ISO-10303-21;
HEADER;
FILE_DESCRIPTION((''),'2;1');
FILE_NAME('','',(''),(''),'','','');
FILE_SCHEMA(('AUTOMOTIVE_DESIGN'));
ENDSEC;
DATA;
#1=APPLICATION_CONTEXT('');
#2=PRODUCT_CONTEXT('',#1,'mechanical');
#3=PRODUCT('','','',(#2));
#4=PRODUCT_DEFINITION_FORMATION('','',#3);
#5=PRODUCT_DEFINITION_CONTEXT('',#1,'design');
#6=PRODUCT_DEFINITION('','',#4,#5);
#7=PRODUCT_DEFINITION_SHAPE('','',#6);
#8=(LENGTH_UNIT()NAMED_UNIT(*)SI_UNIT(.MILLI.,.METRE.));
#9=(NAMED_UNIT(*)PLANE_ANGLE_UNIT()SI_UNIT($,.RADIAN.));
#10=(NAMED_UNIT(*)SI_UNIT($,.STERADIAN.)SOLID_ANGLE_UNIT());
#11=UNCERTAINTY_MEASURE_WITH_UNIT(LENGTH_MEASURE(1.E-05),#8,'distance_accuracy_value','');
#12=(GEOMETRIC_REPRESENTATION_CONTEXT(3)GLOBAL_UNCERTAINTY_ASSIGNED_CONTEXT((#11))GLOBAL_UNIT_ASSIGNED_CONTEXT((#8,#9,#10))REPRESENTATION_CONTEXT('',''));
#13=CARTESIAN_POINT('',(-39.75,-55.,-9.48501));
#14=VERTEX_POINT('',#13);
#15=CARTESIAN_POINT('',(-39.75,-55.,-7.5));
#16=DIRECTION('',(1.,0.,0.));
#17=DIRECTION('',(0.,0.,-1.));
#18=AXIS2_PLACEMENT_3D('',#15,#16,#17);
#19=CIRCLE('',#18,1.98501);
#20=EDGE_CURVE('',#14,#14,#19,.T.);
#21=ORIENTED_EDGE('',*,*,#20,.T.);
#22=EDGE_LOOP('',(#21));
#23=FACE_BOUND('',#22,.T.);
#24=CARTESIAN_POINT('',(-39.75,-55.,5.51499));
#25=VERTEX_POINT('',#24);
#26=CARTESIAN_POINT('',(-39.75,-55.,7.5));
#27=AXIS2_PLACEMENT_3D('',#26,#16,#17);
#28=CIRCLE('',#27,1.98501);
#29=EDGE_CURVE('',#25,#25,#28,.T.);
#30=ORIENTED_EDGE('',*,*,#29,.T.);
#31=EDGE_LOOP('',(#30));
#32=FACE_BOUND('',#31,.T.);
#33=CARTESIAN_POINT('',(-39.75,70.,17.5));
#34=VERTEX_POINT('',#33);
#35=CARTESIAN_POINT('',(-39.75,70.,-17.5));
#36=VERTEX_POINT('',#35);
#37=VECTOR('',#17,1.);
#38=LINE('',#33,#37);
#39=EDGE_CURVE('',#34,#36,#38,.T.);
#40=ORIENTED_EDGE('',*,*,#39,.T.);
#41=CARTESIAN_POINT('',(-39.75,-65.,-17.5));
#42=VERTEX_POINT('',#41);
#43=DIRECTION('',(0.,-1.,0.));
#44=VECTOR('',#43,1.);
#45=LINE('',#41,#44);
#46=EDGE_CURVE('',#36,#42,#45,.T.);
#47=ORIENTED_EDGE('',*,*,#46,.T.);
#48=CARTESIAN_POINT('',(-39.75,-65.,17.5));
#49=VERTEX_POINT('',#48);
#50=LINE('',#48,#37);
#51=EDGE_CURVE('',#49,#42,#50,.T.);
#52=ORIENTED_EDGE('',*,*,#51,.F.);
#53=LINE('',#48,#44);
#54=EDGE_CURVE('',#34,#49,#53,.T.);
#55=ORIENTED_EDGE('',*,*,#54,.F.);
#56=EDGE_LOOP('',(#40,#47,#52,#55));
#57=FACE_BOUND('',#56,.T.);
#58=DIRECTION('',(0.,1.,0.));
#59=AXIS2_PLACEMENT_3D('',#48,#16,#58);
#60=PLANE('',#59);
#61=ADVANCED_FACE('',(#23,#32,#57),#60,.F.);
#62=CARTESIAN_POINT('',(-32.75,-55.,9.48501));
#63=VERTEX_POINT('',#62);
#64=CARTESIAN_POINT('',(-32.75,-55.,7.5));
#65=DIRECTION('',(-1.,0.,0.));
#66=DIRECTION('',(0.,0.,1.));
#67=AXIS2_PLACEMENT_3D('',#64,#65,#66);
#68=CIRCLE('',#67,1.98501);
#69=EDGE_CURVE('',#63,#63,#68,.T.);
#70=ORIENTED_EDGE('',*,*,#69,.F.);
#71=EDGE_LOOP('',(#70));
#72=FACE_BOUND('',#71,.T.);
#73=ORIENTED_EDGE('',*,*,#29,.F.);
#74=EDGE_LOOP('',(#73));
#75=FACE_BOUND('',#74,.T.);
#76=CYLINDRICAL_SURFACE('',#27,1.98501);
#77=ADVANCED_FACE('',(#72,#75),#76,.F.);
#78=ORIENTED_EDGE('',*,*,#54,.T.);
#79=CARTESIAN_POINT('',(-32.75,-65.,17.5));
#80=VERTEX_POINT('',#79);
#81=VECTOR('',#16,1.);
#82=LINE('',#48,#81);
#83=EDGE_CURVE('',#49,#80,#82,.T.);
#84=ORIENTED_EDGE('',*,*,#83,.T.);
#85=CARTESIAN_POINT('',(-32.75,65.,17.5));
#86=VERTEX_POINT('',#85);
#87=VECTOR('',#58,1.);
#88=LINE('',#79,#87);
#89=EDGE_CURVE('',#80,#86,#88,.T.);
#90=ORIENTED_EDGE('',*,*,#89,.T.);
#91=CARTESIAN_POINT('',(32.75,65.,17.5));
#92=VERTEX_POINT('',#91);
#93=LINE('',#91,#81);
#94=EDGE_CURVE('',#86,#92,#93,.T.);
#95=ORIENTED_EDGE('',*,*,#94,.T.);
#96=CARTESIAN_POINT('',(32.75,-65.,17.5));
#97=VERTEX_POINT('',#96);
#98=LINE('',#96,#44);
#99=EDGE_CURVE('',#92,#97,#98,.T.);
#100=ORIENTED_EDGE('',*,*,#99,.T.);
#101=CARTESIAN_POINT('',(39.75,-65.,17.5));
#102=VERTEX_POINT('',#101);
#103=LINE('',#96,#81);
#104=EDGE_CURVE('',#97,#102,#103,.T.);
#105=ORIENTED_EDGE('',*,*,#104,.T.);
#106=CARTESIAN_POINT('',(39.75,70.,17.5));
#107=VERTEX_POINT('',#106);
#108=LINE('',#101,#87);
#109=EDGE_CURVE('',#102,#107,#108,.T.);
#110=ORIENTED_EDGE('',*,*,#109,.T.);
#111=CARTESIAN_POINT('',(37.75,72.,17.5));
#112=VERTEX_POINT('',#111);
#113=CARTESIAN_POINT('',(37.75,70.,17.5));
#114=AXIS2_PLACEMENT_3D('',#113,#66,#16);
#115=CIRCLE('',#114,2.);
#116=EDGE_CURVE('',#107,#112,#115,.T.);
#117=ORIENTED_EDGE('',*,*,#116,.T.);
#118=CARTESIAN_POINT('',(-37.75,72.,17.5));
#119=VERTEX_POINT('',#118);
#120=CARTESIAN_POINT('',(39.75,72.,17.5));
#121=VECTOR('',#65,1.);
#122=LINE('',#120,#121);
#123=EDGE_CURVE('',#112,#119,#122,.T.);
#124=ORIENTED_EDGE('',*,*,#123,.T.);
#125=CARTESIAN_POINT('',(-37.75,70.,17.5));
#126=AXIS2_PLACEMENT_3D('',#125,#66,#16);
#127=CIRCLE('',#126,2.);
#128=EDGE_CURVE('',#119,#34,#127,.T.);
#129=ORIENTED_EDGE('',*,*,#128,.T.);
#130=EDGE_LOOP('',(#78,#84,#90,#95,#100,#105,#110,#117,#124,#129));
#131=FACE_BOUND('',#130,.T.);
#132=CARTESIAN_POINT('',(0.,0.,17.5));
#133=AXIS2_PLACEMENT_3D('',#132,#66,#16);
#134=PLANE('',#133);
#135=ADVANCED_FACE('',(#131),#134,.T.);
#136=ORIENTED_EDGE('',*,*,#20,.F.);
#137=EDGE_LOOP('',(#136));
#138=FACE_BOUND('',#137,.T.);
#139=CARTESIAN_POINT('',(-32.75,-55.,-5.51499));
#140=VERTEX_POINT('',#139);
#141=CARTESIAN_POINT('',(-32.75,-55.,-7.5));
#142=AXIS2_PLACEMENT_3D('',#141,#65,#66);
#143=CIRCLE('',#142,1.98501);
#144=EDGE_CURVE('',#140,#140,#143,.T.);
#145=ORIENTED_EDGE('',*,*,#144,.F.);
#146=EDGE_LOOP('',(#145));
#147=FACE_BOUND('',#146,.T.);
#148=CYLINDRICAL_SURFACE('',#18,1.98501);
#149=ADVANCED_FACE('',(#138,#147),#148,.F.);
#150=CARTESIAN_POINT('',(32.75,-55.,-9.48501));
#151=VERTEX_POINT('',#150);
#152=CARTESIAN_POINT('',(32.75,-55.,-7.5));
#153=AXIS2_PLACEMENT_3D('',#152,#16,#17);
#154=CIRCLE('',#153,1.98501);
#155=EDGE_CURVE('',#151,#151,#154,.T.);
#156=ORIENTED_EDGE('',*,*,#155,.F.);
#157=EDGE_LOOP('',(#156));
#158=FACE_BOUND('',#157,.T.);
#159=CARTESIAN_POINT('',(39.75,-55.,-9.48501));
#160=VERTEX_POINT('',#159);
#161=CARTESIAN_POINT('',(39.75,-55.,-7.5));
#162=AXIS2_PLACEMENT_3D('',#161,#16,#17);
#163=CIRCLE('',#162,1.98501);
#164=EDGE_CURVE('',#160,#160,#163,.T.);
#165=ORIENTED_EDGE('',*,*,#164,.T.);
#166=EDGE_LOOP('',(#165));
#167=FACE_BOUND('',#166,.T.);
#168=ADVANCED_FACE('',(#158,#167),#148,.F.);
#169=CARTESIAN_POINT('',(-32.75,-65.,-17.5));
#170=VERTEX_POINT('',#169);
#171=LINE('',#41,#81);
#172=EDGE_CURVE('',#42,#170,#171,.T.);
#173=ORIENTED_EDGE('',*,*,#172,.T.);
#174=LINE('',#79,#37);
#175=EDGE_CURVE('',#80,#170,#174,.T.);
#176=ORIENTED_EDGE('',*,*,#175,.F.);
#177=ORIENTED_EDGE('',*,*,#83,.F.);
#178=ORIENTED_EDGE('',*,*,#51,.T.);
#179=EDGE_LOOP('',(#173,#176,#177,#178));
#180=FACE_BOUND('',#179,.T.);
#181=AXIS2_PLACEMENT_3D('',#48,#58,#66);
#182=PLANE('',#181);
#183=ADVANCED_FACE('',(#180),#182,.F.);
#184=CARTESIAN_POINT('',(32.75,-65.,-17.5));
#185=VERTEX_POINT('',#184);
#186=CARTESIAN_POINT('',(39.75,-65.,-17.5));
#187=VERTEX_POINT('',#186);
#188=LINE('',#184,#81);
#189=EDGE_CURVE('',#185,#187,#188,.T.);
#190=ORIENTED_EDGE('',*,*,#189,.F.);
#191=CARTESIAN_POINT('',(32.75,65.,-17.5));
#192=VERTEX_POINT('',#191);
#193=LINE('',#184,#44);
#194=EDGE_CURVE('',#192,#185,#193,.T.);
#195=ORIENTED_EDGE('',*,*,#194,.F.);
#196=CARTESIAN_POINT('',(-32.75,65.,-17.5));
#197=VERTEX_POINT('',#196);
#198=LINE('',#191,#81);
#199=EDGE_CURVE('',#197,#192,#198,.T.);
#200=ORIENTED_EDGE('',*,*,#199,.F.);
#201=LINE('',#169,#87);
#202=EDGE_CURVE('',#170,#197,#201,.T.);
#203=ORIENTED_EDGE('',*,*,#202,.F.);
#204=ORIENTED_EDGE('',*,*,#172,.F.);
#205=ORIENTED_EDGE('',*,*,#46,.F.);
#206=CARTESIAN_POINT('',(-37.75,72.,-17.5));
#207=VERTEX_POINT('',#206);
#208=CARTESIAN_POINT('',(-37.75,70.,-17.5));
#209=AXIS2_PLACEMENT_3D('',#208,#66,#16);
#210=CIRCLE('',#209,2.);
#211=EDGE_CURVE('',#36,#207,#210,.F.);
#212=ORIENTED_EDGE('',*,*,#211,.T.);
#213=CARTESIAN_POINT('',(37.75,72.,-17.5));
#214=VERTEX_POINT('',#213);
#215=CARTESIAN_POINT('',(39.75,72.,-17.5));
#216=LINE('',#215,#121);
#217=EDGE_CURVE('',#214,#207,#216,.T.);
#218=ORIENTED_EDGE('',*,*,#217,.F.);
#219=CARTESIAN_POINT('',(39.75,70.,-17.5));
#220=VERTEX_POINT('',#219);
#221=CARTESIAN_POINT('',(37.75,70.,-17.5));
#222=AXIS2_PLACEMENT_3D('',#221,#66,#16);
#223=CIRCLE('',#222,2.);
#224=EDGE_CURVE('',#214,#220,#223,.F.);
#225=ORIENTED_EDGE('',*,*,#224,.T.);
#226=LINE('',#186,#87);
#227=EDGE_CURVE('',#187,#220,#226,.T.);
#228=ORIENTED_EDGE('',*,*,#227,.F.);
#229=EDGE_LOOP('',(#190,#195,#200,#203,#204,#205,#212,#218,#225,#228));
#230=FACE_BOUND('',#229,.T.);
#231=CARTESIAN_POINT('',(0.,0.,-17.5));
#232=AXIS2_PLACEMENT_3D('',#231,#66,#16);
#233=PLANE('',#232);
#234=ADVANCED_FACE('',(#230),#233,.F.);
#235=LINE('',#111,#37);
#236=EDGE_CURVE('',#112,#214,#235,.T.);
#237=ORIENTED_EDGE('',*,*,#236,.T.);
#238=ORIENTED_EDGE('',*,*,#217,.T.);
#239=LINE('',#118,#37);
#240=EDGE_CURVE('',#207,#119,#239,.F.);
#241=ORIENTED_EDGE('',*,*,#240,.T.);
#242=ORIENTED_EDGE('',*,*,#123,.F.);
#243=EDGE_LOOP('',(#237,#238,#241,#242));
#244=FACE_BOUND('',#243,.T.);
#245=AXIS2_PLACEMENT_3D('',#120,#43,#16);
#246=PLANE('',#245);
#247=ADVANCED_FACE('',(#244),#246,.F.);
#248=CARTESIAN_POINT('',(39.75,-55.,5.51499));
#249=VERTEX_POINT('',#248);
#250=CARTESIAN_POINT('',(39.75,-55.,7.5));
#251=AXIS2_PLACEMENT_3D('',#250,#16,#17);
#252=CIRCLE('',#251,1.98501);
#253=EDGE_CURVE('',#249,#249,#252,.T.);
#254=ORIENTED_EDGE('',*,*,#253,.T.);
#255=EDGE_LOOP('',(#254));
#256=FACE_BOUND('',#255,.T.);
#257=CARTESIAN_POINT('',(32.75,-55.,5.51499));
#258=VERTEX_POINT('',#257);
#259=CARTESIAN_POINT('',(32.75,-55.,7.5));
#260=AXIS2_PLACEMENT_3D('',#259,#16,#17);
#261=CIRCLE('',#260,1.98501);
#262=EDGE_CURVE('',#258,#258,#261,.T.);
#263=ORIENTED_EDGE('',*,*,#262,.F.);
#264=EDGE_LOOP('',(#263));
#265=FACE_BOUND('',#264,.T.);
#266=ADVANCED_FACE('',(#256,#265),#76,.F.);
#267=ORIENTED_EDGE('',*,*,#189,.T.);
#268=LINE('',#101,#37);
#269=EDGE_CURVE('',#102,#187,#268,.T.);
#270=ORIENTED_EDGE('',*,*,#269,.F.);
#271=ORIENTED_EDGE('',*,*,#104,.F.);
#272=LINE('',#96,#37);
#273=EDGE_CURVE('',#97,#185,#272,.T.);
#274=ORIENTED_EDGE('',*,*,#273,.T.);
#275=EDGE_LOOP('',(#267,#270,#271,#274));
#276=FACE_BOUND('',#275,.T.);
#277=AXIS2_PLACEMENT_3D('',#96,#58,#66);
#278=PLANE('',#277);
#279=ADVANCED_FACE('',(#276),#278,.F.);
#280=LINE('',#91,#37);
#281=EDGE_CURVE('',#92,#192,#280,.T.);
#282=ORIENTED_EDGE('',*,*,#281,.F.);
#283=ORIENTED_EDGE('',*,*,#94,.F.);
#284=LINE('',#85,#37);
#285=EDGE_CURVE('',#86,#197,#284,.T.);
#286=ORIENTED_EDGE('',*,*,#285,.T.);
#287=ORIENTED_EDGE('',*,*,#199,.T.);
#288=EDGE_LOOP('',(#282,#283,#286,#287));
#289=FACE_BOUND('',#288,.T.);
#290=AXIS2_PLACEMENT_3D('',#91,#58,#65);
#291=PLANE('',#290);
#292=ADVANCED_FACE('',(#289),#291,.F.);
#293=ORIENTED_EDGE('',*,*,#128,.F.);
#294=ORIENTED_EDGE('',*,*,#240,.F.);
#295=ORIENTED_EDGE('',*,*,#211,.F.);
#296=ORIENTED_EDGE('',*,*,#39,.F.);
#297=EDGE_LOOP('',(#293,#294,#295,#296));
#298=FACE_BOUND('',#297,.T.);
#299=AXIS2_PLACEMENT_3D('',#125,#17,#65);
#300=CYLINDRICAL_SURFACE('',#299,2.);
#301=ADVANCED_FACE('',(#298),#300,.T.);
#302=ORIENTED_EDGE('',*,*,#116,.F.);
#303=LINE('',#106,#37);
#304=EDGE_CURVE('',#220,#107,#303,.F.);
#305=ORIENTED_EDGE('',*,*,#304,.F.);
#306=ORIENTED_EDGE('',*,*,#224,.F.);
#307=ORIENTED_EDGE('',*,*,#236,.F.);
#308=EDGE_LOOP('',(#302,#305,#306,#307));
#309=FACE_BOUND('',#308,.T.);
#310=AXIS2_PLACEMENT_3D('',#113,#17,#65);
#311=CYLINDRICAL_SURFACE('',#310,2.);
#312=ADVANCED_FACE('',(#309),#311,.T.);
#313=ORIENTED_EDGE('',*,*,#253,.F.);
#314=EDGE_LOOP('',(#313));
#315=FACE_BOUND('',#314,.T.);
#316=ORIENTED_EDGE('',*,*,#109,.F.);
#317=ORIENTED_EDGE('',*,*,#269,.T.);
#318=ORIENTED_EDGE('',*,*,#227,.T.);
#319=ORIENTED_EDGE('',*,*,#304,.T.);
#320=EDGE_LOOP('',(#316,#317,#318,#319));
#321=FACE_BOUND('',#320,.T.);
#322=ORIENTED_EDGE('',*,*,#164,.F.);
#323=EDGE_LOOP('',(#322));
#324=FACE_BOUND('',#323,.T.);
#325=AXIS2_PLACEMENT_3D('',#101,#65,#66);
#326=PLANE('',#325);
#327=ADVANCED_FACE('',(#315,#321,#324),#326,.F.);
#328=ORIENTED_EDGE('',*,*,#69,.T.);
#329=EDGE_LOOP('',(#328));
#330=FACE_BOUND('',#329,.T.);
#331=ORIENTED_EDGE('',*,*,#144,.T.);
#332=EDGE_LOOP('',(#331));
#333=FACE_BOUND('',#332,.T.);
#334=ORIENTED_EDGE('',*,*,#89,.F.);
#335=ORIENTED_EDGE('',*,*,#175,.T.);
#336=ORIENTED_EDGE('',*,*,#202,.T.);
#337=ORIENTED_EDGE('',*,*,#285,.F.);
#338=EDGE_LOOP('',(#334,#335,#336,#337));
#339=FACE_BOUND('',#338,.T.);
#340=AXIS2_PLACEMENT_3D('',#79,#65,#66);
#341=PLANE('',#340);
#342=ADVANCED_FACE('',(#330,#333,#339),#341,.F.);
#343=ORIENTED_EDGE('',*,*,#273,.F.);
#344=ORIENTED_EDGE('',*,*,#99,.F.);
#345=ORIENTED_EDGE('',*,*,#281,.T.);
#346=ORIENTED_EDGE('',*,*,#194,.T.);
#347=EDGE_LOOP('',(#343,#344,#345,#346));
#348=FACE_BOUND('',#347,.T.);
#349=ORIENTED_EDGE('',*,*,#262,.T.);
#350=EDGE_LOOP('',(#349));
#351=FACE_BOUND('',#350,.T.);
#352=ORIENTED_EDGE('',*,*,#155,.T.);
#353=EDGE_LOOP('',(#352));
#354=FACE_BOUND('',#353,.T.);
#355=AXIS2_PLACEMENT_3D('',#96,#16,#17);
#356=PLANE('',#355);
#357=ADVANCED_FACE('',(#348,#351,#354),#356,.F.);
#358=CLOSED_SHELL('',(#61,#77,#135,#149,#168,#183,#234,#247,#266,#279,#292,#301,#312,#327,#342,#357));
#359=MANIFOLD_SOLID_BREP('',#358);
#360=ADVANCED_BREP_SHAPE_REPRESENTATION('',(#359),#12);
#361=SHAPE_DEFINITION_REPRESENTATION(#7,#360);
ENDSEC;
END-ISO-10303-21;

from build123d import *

# Parameters (mm, degrees)
BOSS_EXTRUDE1_DEPTH     = 17.5
CUT_EXTRUDE1_DEPTH      = 85.085150294
CUT_EXTRUDE1_DEPTH_BACK = 85.085150294
SKETCH2_R               = 1.98501
FILLET1_R               = 2


with BuildPart() as part:
    # Sketch1 → Boss-Extrude1 (new, symmetric)
    with BuildSketch(Plane.XY):
        Polygon((-39.75, -65), (-39.75, 72), (39.75, 72), (39.75, -65), (32.75, -65), (32.75, 65), (-32.75, 65), (-32.75, -65), align=None)
    extrude(amount=BOSS_EXTRUDE1_DEPTH, both=True)

    # Sketch2 → Cut-Extrude1 (cut, two sides: drawn at the far end of the back side and taken through both)
    with BuildSketch(Plane(origin=(0, 0, 0), x_dir=(0, 0, -1), z_dir=(1, 0, 0)).offset(-CUT_EXTRUDE1_DEPTH_BACK)):
        with Locations((-7.5, -55)):
            Circle(SKETCH2_R)
        with Locations((7.5, -55)):
            Circle(SKETCH2_R)
    extrude(amount=CUT_EXTRUDE1_DEPTH + CUT_EXTRUDE1_DEPTH_BACK, mode=Mode.SUBTRACT)

    # Fillet1
    fillet1_edges = [part.edges().sort_by_distance(p)[0] for p in [
        (-39.75, 72, 0),
        (39.75, 72, 0),
    ]]
    fillet(fillet1_edges, radius=FILLET1_R)


solid = part.part
